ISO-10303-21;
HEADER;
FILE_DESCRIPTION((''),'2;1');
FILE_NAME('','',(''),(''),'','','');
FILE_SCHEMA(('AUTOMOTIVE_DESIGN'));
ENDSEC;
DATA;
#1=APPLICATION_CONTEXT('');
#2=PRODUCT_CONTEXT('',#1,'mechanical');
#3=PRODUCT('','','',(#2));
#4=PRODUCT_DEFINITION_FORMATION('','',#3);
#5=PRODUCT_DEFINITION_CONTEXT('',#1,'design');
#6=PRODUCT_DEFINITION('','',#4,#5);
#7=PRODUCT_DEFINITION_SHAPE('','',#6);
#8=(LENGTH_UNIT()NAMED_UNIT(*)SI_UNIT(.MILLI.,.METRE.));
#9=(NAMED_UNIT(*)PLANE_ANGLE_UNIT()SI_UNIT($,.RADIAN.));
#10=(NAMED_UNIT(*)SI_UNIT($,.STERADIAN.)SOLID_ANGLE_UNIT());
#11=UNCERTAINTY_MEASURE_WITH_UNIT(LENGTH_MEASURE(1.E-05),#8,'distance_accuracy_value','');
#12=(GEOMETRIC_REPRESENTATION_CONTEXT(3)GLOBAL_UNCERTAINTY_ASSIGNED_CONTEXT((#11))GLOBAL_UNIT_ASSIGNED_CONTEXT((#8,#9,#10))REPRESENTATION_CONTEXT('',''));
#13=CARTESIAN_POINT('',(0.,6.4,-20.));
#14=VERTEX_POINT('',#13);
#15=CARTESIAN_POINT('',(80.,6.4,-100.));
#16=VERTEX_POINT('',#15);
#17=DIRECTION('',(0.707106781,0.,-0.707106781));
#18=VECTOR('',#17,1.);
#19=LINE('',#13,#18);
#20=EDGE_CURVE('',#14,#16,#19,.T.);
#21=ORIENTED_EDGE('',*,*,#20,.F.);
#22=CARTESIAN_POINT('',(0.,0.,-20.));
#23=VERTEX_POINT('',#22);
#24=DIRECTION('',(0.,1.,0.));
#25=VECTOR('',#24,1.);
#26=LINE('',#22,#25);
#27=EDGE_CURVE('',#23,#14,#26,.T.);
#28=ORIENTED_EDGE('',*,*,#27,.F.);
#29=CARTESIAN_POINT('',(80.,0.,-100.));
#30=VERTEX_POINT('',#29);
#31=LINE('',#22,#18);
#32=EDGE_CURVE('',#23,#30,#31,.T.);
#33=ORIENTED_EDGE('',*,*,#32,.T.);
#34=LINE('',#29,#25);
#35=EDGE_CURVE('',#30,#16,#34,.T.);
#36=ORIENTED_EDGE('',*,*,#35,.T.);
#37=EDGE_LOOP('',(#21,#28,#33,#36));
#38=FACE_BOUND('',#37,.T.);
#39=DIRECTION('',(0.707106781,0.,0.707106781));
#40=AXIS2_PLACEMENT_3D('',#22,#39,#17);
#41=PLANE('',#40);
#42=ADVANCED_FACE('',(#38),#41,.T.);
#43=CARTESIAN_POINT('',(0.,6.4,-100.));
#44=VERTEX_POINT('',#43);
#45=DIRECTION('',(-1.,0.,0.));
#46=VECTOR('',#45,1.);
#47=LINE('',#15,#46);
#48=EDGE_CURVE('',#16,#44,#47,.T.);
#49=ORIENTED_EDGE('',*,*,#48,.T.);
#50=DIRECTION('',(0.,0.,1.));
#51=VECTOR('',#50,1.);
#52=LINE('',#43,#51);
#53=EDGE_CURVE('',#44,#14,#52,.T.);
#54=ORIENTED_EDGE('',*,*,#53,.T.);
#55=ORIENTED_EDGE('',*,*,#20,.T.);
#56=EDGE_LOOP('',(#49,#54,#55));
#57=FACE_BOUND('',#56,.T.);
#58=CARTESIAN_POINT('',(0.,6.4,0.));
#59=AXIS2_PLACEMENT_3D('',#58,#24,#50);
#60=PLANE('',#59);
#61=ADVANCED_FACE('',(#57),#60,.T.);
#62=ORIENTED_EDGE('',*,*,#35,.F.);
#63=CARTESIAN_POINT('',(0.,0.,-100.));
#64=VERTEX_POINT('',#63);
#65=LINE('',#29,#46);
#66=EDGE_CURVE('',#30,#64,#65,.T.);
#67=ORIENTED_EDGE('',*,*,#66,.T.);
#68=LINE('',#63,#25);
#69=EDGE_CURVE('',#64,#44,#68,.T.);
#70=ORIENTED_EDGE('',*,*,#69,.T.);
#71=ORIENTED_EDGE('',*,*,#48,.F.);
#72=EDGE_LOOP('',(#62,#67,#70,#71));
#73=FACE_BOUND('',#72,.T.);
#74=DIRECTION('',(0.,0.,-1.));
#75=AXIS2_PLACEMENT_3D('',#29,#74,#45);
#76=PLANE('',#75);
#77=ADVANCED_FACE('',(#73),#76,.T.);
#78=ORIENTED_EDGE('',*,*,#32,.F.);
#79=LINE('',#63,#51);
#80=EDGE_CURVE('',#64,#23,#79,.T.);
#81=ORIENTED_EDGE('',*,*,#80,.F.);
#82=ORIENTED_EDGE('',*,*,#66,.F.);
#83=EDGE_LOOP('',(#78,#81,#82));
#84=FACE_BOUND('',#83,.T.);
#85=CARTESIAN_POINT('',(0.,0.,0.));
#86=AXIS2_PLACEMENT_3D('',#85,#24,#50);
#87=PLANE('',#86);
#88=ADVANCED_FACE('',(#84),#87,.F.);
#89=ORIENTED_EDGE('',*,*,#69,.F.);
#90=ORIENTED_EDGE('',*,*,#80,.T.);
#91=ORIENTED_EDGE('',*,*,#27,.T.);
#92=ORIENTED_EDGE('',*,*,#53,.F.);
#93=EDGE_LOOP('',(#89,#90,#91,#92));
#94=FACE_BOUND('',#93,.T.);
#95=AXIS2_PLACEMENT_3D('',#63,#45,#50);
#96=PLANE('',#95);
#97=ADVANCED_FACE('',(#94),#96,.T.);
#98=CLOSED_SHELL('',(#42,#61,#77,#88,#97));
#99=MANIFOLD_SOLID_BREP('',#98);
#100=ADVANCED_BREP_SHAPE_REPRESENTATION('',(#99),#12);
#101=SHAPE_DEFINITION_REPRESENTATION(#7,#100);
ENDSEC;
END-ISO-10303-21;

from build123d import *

# Parameters (mm, degrees)
BOSS_EXTRUDE1_DEPTH = 6.4


with BuildPart() as part:
    # Sketch1 → Boss-Extrude1 (new body)
    with BuildSketch(Plane(origin=(0, 6.4, 0), x_dir=(1, 0, 0), z_dir=(0, 1, 0))):
        Polygon((0, 100), (0, 20), (80, 100), align=None)
    extrude(amount=-BOSS_EXTRUDE1_DEPTH)


solid = part.part
